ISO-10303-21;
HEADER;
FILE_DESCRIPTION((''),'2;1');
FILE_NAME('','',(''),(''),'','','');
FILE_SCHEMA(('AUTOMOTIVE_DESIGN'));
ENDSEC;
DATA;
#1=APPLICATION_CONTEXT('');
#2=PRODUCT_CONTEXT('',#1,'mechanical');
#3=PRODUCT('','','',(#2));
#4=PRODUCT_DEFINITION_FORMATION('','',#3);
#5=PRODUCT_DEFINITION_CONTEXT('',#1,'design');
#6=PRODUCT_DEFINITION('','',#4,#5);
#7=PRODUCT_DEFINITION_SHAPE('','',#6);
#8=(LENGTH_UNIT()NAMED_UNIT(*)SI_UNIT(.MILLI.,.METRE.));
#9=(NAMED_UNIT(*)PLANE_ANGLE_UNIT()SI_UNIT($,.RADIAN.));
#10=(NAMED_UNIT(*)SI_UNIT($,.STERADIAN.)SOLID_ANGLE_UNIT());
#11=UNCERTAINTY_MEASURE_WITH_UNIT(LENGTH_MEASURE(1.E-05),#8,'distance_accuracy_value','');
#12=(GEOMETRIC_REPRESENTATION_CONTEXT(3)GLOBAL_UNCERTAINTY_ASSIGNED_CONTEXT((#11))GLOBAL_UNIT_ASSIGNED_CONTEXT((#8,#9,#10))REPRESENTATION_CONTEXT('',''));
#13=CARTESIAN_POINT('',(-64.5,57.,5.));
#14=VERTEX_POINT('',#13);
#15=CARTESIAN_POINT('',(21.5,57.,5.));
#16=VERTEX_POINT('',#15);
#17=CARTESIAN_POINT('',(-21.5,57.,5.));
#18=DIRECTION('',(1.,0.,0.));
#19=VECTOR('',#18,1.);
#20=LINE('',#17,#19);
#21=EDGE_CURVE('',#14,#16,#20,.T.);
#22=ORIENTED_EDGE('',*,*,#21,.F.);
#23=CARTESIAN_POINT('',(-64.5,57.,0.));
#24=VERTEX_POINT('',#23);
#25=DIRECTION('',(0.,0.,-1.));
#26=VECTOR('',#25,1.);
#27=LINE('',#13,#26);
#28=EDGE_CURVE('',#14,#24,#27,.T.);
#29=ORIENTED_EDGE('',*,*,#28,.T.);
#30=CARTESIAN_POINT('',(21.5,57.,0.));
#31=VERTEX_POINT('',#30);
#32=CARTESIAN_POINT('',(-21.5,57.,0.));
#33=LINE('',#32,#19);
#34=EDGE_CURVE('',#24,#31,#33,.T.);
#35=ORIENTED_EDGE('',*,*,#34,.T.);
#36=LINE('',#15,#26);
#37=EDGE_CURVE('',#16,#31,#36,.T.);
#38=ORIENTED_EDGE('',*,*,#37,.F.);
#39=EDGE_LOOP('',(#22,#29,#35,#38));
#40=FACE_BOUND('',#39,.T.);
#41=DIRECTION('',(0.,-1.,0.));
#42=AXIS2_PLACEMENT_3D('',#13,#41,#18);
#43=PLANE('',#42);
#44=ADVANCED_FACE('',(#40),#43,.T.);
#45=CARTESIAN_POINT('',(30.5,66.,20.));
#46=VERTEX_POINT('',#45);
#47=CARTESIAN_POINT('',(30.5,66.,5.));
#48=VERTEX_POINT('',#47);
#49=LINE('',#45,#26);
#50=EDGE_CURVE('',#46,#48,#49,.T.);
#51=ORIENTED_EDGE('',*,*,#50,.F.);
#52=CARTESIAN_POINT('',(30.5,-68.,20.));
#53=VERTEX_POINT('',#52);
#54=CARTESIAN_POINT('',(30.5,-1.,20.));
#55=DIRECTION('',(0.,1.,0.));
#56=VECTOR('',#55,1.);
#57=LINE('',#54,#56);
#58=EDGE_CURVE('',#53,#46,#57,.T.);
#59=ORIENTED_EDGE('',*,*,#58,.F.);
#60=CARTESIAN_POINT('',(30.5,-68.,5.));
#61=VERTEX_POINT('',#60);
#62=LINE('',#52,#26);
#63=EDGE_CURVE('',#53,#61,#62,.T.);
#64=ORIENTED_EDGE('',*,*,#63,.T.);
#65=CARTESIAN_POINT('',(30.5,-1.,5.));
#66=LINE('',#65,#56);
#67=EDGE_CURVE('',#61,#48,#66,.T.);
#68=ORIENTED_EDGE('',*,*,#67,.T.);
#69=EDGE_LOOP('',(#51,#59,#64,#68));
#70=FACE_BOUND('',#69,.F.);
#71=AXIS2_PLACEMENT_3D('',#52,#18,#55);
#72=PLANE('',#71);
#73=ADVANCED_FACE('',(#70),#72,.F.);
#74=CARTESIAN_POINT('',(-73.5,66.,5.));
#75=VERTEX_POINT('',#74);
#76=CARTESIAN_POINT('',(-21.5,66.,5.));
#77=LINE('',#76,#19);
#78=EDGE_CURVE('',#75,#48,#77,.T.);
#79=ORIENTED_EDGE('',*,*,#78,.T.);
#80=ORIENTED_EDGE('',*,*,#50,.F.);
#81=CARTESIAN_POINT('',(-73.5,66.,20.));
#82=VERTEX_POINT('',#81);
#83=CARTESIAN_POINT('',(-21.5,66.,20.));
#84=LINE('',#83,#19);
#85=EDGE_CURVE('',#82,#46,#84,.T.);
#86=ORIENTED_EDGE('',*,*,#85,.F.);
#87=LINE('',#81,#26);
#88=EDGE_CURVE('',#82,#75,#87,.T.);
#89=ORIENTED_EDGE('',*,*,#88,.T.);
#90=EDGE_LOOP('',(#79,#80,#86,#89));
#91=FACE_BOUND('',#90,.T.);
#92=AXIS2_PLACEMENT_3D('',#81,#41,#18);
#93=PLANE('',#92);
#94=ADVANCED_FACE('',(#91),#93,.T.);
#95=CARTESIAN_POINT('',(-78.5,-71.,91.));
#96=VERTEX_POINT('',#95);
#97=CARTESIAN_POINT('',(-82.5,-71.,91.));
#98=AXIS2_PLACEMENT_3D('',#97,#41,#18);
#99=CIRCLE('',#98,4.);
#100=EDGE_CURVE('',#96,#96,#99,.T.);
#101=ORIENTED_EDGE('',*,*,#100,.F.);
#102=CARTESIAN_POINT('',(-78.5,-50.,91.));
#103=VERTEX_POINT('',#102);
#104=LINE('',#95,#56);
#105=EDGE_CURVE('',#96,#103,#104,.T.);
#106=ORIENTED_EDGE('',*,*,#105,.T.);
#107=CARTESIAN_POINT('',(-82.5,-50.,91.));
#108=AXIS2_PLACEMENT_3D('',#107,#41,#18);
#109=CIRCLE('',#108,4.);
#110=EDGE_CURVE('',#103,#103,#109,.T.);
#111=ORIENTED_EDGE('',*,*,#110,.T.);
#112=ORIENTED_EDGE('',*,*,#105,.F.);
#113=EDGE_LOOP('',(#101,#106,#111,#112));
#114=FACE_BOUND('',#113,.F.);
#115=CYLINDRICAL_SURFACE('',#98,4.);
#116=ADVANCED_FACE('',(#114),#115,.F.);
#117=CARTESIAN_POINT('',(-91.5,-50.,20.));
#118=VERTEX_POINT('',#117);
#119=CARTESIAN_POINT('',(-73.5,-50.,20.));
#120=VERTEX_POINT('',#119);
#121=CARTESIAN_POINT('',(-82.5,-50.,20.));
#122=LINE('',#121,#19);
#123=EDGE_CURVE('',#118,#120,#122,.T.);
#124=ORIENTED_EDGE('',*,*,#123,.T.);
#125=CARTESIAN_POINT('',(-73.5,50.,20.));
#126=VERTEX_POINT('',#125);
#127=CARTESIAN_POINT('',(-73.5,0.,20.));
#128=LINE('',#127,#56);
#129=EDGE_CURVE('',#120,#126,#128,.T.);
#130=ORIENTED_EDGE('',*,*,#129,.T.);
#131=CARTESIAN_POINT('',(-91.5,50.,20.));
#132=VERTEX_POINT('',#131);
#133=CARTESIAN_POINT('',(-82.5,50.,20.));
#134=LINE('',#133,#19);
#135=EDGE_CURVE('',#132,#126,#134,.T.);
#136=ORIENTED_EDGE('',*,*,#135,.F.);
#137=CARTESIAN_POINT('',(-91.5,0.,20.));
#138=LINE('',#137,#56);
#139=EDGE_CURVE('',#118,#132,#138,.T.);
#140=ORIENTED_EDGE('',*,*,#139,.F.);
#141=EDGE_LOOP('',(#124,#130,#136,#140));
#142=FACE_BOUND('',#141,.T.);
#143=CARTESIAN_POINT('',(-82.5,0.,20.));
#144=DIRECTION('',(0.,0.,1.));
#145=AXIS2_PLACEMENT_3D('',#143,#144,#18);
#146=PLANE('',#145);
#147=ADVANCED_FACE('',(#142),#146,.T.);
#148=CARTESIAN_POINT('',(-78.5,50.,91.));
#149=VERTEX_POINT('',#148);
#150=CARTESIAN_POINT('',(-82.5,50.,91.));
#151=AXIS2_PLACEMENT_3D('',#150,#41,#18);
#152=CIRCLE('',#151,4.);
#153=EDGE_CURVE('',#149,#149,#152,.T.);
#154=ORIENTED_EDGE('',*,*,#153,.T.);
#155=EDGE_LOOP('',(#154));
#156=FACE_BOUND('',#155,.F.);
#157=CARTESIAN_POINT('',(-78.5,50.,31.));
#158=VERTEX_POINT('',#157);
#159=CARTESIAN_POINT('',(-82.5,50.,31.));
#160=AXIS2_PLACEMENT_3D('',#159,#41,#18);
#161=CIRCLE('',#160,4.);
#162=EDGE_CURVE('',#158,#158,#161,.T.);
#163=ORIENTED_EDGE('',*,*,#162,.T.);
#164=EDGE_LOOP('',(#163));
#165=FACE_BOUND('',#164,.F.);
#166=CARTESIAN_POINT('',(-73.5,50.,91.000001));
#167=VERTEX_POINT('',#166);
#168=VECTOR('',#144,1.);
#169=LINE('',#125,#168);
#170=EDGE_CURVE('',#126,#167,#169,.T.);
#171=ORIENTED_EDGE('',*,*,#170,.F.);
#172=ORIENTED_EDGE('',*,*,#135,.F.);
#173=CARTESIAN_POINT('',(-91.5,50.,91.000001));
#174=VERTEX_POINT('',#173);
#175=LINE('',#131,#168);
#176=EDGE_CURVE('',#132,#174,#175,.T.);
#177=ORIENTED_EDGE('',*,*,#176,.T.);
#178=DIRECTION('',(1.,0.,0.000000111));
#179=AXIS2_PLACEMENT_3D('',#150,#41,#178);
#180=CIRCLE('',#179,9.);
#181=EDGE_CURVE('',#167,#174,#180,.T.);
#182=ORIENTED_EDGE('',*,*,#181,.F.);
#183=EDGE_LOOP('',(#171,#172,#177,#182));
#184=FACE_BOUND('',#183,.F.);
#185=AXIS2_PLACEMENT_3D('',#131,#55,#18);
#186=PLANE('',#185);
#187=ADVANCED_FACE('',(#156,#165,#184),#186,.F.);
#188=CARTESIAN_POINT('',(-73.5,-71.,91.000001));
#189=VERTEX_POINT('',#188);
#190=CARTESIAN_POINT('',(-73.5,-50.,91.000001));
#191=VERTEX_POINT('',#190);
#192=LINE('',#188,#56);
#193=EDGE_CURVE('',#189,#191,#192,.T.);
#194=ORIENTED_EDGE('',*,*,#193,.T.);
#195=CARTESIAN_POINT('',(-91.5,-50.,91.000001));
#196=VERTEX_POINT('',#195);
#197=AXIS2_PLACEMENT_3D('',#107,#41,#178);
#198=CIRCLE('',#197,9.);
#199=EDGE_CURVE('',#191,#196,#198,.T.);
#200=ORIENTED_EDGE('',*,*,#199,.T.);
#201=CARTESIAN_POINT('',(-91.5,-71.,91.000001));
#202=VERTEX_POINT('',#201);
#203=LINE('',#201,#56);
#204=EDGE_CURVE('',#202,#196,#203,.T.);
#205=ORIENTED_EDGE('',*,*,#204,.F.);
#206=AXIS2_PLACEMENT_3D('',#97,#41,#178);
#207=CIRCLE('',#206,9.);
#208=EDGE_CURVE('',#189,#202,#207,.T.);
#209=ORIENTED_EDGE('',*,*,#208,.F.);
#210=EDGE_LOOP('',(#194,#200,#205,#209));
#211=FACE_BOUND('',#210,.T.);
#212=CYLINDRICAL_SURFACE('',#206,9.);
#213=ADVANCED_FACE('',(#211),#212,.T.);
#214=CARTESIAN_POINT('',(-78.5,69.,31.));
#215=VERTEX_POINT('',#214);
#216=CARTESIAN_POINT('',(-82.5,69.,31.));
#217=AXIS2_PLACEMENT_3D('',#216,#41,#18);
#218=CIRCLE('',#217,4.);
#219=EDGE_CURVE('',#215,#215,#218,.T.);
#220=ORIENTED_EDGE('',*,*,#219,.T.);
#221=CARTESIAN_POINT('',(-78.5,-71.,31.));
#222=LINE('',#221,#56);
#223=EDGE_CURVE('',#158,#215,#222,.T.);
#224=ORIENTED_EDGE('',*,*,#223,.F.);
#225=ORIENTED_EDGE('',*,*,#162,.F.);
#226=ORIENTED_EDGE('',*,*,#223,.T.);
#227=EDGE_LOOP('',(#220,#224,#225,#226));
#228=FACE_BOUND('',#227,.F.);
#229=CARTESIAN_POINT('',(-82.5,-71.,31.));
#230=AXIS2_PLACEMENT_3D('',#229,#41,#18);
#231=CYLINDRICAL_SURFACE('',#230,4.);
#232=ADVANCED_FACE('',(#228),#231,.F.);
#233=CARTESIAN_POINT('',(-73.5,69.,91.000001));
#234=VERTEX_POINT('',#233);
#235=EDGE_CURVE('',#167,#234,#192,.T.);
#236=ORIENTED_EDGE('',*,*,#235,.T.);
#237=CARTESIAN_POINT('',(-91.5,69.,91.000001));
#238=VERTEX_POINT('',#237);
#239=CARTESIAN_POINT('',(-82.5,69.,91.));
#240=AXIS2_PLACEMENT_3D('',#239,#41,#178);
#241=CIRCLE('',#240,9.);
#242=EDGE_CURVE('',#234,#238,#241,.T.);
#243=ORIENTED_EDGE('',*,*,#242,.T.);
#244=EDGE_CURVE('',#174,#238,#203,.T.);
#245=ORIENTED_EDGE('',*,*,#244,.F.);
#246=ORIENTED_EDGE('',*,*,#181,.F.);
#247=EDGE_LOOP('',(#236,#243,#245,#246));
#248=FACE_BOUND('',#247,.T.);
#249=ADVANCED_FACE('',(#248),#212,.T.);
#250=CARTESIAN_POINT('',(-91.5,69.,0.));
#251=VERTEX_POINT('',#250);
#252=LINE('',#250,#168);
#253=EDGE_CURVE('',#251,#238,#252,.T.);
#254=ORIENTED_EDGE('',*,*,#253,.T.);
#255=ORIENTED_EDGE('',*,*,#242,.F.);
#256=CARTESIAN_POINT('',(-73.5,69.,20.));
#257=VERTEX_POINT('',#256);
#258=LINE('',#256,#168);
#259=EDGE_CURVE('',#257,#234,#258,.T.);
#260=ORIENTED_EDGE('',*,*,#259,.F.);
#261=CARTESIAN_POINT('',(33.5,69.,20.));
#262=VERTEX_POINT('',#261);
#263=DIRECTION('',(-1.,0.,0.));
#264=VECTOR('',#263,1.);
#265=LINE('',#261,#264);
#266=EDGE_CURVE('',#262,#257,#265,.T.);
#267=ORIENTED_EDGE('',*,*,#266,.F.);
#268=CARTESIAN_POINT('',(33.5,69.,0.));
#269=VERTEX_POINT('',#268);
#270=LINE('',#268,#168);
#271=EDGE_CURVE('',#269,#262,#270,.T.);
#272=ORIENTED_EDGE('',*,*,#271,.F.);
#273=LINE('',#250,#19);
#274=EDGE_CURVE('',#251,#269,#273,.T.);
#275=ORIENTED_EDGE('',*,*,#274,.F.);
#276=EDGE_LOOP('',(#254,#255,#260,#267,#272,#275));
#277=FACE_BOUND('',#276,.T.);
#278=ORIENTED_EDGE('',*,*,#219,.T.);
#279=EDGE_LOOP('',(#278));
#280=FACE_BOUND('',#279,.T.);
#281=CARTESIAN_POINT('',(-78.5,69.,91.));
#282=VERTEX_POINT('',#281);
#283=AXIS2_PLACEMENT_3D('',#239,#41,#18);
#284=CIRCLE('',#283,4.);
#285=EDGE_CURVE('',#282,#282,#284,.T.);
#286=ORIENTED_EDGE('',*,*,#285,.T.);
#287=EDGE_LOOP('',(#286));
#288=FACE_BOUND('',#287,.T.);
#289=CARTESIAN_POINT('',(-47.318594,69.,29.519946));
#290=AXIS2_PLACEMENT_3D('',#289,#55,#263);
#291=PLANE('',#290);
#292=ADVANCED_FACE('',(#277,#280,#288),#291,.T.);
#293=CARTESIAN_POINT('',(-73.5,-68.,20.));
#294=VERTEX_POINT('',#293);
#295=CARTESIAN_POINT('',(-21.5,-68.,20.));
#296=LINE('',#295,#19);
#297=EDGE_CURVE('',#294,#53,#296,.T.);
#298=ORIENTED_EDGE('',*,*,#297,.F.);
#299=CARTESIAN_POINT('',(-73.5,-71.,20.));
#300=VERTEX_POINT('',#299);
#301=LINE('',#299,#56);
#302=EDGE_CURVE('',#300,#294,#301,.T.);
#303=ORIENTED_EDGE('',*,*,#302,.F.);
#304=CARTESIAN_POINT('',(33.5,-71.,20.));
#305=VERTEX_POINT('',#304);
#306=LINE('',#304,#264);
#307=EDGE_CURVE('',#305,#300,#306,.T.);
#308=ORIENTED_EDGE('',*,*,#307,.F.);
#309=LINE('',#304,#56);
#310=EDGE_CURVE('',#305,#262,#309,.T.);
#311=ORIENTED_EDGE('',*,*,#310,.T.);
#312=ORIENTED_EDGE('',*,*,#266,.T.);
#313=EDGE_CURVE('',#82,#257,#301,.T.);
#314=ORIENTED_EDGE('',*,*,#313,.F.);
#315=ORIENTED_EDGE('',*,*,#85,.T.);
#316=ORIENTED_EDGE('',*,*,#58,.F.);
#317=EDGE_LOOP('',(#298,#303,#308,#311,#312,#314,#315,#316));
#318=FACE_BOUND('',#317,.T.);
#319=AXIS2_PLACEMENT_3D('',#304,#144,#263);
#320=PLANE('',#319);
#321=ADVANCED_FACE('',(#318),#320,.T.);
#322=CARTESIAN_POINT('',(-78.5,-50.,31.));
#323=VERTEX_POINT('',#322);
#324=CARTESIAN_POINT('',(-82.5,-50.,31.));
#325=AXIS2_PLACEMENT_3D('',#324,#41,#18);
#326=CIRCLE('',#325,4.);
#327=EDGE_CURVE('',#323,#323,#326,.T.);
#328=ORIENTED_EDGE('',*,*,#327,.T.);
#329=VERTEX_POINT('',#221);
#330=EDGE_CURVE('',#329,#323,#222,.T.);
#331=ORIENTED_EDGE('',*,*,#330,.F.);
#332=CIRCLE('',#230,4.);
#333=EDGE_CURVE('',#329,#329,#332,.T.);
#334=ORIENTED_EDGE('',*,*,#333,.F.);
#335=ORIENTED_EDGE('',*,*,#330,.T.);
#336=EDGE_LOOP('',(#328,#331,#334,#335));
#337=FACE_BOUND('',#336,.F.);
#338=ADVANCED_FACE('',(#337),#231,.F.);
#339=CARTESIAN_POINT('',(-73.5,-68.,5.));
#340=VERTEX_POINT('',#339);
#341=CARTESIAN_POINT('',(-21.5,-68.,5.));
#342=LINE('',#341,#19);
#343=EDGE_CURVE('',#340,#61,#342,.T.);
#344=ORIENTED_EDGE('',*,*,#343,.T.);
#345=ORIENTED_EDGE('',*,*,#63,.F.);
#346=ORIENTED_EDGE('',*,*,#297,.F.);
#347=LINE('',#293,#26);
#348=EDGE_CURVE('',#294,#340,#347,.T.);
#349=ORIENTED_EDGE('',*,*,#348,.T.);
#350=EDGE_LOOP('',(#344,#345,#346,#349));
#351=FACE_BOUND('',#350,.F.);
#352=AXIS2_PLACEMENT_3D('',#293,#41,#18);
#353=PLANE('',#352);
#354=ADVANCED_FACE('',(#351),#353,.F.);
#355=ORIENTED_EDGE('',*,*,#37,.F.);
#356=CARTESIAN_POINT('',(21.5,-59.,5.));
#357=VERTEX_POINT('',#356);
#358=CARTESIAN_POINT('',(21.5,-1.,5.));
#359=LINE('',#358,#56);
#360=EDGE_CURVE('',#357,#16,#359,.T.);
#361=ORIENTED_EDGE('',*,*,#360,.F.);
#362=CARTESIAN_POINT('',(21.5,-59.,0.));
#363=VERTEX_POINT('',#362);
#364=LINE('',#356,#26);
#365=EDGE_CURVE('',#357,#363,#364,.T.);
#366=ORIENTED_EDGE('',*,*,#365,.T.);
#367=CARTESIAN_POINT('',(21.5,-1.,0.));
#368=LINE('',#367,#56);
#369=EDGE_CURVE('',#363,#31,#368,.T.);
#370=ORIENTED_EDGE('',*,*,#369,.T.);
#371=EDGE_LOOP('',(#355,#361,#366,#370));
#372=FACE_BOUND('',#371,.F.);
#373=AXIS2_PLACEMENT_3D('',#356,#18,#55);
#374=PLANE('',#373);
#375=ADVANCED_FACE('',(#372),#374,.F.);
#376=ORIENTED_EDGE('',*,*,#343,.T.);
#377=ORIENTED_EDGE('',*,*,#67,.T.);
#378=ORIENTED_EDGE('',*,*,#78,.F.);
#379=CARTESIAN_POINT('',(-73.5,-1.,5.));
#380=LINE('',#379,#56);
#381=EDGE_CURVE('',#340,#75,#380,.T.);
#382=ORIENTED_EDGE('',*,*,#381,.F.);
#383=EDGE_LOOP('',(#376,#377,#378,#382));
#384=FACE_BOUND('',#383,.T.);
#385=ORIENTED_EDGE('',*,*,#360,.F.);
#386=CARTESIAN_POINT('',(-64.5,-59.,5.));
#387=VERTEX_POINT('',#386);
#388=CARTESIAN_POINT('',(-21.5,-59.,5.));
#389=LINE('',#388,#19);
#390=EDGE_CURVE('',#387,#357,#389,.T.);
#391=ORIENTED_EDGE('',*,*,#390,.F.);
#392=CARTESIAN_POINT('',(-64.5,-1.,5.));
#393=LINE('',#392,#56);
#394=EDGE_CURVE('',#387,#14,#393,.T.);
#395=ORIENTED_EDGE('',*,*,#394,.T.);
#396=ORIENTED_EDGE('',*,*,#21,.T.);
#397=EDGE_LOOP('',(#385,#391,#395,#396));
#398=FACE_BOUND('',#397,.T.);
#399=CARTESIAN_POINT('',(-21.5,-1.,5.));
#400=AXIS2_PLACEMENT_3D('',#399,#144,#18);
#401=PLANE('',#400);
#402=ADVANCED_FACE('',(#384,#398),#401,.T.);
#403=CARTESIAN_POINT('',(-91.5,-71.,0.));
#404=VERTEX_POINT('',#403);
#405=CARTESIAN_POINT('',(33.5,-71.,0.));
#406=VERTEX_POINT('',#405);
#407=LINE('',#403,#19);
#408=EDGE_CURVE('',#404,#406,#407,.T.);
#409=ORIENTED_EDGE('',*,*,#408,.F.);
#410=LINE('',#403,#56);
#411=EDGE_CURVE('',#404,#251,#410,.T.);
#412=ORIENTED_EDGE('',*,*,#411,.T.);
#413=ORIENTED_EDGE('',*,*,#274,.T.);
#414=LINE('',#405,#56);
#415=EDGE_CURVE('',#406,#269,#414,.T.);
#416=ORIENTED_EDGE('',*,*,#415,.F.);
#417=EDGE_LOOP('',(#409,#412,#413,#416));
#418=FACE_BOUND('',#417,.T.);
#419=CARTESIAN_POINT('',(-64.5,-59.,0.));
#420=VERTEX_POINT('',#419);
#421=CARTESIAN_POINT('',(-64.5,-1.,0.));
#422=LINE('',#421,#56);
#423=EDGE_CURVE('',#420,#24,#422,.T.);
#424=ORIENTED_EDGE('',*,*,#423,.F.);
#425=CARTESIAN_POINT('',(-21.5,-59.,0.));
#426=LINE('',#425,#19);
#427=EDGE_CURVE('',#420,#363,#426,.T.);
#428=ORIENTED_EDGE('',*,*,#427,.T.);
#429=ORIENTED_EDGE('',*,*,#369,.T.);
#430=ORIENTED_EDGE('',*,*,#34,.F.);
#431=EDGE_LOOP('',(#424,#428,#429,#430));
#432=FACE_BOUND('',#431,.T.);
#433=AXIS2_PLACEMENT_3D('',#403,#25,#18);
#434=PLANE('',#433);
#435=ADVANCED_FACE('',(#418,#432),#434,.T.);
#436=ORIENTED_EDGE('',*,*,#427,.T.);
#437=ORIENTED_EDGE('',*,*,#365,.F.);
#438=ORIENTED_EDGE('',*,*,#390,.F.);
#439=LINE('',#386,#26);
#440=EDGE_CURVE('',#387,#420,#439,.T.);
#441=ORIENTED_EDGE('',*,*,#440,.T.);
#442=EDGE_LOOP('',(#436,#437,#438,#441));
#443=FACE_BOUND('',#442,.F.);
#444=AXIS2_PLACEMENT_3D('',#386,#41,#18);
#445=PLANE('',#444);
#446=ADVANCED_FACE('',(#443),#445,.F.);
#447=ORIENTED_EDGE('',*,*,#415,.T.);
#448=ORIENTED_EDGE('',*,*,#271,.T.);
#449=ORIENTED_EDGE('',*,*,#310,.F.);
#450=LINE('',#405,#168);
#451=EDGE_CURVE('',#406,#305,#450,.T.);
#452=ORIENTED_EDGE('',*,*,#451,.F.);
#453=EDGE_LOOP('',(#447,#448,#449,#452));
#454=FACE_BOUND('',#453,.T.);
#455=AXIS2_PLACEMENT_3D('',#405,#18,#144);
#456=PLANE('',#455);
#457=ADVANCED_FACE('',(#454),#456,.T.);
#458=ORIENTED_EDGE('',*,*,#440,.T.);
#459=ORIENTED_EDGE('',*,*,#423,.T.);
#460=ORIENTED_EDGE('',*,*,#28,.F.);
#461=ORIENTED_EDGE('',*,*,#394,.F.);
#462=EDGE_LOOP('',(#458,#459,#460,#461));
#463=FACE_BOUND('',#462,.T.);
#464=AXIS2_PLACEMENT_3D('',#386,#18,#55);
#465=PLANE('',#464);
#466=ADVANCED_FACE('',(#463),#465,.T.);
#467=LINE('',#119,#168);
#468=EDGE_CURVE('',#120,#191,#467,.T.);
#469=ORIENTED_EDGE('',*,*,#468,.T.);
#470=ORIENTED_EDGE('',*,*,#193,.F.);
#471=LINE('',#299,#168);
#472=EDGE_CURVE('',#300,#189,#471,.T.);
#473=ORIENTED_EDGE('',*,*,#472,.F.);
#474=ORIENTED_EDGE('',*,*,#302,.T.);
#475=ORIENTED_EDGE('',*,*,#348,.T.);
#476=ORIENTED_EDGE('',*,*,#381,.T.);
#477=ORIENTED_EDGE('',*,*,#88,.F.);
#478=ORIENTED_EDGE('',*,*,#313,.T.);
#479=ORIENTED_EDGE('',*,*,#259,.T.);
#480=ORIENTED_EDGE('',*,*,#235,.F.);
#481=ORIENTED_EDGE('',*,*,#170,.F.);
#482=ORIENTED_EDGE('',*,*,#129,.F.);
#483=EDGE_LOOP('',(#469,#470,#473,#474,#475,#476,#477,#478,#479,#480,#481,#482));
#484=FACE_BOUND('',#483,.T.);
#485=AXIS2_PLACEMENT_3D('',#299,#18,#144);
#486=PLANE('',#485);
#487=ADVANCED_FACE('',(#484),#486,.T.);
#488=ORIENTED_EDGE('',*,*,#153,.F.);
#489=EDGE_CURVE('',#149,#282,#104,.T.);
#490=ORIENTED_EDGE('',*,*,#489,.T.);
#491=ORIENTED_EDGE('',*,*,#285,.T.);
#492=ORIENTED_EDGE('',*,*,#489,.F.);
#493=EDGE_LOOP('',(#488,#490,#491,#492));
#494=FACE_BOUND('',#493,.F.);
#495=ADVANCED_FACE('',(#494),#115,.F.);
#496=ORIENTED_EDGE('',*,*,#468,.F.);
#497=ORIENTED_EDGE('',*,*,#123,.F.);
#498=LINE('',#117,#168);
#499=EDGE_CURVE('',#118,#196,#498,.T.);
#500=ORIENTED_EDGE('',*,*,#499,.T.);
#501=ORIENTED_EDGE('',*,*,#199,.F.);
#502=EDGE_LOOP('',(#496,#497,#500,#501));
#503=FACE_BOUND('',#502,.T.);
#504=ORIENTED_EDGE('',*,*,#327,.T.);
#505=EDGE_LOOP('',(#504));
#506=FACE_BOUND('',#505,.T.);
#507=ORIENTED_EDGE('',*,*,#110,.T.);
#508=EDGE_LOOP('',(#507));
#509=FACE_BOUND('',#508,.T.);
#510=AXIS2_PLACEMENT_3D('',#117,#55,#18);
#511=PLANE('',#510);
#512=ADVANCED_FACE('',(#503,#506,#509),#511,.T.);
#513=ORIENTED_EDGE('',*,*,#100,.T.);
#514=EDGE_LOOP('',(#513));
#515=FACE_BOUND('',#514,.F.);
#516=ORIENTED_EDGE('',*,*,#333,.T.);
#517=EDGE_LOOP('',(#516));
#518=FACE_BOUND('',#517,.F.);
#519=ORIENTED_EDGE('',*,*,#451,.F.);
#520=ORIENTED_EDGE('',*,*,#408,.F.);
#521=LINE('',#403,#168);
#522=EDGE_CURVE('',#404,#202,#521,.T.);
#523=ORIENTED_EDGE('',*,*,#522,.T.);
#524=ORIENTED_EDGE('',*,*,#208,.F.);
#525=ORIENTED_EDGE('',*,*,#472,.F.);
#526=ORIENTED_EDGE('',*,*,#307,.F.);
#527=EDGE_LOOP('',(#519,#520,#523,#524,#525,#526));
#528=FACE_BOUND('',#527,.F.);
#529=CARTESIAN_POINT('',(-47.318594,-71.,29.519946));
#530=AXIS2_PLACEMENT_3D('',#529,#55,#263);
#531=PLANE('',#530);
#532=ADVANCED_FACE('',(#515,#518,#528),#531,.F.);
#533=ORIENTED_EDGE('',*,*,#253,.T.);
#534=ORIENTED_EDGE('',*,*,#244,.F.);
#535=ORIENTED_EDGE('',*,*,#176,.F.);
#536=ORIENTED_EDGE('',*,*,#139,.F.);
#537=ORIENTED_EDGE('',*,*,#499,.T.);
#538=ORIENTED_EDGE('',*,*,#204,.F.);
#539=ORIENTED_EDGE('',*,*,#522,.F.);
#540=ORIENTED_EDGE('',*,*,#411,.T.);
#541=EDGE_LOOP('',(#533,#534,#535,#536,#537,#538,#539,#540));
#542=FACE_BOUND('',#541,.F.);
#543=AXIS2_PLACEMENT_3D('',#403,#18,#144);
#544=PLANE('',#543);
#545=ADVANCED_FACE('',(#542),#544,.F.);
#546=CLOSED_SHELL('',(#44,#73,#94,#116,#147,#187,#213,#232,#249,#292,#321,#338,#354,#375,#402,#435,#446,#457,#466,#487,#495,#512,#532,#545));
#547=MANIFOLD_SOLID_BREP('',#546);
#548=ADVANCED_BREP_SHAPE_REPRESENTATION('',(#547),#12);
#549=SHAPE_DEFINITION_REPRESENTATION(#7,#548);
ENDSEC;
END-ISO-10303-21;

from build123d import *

# Parameters (mm, degrees)
BOX_W        = 18
BOX_H        = 100
BOX_DEPTH    = 80
SKETCH001_W  = 104
SKETCH001_H  = 134
PAD_DEPTH    = 15
SKETCH002_W  = 86
SKETCH002_H  = 116
PAD002_DEPTH = 5
SKETCH_R     = 4
PAD001_DEPTH = 140


with BuildPart() as cube:
    # Box → Box (new body)
    with BuildSketch(Plane(origin=(-91.5, -50, 20), x_dir=(1, 0, 0), z_dir=(0, 0, 1))):
        with Locations((9, 50)):
            Rectangle(BOX_W, BOX_H)
    extrude(amount=BOX_DEPTH)


with BuildPart() as baseframe:
    # Sketch001 → Pad (new body)
    with BuildSketch(Plane.XY.offset(20)):
        with Locations((-21.5, -1)):
            Rectangle(SKETCH001_W, SKETCH001_H)
    extrude(amount=-PAD_DEPTH)


with BuildPart() as cutblock:
    # Sketch002 → Pad002 (new body)
    with BuildSketch(Plane.XY.offset(5)):
        with Locations((-21.5, -1)):
            Rectangle(SKETCH002_W, SKETCH002_H)
    extrude(amount=-PAD002_DEPTH)

    # Fusion: union BaseFrame
    add(baseframe.part)


with BuildPart() as cut001:
    # Sketch → Pad001 (new body)
    with BuildSketch(Plane(origin=(0, -71, 20), x_dir=(1, 0, 0), z_dir=(0, -1, 0))):
        with BuildLine():
            Line((-91.5, -20), (-91.5, 71.000001))
            ThreePointArc((-73.5, 71.000001), (-82.5, 80), (-91.5, 71.000001))
            Line((-73.5, 0), (-73.5, 71.000001))
            Line((33.5, 0), (-73.5, 0))
            Line((33.5, -20), (33.5, 0))
            Line((-91.5, -20), (33.5, -20))
        make_face()
        with Locations((-82.5, 71)):
            Circle(SKETCH_R, mode=Mode.SUBTRACT)
        with Locations((-82.5, 11)):
            Circle(SKETCH_R, mode=Mode.SUBTRACT)
    extrude(amount=-PAD001_DEPTH)

    # Cut: cut CutBlock
    add(cutblock.part, mode=Mode.SUBTRACT)

    # Cut001: cut Cube
    add(cube.part, mode=Mode.SUBTRACT)


solid = cut001.part
